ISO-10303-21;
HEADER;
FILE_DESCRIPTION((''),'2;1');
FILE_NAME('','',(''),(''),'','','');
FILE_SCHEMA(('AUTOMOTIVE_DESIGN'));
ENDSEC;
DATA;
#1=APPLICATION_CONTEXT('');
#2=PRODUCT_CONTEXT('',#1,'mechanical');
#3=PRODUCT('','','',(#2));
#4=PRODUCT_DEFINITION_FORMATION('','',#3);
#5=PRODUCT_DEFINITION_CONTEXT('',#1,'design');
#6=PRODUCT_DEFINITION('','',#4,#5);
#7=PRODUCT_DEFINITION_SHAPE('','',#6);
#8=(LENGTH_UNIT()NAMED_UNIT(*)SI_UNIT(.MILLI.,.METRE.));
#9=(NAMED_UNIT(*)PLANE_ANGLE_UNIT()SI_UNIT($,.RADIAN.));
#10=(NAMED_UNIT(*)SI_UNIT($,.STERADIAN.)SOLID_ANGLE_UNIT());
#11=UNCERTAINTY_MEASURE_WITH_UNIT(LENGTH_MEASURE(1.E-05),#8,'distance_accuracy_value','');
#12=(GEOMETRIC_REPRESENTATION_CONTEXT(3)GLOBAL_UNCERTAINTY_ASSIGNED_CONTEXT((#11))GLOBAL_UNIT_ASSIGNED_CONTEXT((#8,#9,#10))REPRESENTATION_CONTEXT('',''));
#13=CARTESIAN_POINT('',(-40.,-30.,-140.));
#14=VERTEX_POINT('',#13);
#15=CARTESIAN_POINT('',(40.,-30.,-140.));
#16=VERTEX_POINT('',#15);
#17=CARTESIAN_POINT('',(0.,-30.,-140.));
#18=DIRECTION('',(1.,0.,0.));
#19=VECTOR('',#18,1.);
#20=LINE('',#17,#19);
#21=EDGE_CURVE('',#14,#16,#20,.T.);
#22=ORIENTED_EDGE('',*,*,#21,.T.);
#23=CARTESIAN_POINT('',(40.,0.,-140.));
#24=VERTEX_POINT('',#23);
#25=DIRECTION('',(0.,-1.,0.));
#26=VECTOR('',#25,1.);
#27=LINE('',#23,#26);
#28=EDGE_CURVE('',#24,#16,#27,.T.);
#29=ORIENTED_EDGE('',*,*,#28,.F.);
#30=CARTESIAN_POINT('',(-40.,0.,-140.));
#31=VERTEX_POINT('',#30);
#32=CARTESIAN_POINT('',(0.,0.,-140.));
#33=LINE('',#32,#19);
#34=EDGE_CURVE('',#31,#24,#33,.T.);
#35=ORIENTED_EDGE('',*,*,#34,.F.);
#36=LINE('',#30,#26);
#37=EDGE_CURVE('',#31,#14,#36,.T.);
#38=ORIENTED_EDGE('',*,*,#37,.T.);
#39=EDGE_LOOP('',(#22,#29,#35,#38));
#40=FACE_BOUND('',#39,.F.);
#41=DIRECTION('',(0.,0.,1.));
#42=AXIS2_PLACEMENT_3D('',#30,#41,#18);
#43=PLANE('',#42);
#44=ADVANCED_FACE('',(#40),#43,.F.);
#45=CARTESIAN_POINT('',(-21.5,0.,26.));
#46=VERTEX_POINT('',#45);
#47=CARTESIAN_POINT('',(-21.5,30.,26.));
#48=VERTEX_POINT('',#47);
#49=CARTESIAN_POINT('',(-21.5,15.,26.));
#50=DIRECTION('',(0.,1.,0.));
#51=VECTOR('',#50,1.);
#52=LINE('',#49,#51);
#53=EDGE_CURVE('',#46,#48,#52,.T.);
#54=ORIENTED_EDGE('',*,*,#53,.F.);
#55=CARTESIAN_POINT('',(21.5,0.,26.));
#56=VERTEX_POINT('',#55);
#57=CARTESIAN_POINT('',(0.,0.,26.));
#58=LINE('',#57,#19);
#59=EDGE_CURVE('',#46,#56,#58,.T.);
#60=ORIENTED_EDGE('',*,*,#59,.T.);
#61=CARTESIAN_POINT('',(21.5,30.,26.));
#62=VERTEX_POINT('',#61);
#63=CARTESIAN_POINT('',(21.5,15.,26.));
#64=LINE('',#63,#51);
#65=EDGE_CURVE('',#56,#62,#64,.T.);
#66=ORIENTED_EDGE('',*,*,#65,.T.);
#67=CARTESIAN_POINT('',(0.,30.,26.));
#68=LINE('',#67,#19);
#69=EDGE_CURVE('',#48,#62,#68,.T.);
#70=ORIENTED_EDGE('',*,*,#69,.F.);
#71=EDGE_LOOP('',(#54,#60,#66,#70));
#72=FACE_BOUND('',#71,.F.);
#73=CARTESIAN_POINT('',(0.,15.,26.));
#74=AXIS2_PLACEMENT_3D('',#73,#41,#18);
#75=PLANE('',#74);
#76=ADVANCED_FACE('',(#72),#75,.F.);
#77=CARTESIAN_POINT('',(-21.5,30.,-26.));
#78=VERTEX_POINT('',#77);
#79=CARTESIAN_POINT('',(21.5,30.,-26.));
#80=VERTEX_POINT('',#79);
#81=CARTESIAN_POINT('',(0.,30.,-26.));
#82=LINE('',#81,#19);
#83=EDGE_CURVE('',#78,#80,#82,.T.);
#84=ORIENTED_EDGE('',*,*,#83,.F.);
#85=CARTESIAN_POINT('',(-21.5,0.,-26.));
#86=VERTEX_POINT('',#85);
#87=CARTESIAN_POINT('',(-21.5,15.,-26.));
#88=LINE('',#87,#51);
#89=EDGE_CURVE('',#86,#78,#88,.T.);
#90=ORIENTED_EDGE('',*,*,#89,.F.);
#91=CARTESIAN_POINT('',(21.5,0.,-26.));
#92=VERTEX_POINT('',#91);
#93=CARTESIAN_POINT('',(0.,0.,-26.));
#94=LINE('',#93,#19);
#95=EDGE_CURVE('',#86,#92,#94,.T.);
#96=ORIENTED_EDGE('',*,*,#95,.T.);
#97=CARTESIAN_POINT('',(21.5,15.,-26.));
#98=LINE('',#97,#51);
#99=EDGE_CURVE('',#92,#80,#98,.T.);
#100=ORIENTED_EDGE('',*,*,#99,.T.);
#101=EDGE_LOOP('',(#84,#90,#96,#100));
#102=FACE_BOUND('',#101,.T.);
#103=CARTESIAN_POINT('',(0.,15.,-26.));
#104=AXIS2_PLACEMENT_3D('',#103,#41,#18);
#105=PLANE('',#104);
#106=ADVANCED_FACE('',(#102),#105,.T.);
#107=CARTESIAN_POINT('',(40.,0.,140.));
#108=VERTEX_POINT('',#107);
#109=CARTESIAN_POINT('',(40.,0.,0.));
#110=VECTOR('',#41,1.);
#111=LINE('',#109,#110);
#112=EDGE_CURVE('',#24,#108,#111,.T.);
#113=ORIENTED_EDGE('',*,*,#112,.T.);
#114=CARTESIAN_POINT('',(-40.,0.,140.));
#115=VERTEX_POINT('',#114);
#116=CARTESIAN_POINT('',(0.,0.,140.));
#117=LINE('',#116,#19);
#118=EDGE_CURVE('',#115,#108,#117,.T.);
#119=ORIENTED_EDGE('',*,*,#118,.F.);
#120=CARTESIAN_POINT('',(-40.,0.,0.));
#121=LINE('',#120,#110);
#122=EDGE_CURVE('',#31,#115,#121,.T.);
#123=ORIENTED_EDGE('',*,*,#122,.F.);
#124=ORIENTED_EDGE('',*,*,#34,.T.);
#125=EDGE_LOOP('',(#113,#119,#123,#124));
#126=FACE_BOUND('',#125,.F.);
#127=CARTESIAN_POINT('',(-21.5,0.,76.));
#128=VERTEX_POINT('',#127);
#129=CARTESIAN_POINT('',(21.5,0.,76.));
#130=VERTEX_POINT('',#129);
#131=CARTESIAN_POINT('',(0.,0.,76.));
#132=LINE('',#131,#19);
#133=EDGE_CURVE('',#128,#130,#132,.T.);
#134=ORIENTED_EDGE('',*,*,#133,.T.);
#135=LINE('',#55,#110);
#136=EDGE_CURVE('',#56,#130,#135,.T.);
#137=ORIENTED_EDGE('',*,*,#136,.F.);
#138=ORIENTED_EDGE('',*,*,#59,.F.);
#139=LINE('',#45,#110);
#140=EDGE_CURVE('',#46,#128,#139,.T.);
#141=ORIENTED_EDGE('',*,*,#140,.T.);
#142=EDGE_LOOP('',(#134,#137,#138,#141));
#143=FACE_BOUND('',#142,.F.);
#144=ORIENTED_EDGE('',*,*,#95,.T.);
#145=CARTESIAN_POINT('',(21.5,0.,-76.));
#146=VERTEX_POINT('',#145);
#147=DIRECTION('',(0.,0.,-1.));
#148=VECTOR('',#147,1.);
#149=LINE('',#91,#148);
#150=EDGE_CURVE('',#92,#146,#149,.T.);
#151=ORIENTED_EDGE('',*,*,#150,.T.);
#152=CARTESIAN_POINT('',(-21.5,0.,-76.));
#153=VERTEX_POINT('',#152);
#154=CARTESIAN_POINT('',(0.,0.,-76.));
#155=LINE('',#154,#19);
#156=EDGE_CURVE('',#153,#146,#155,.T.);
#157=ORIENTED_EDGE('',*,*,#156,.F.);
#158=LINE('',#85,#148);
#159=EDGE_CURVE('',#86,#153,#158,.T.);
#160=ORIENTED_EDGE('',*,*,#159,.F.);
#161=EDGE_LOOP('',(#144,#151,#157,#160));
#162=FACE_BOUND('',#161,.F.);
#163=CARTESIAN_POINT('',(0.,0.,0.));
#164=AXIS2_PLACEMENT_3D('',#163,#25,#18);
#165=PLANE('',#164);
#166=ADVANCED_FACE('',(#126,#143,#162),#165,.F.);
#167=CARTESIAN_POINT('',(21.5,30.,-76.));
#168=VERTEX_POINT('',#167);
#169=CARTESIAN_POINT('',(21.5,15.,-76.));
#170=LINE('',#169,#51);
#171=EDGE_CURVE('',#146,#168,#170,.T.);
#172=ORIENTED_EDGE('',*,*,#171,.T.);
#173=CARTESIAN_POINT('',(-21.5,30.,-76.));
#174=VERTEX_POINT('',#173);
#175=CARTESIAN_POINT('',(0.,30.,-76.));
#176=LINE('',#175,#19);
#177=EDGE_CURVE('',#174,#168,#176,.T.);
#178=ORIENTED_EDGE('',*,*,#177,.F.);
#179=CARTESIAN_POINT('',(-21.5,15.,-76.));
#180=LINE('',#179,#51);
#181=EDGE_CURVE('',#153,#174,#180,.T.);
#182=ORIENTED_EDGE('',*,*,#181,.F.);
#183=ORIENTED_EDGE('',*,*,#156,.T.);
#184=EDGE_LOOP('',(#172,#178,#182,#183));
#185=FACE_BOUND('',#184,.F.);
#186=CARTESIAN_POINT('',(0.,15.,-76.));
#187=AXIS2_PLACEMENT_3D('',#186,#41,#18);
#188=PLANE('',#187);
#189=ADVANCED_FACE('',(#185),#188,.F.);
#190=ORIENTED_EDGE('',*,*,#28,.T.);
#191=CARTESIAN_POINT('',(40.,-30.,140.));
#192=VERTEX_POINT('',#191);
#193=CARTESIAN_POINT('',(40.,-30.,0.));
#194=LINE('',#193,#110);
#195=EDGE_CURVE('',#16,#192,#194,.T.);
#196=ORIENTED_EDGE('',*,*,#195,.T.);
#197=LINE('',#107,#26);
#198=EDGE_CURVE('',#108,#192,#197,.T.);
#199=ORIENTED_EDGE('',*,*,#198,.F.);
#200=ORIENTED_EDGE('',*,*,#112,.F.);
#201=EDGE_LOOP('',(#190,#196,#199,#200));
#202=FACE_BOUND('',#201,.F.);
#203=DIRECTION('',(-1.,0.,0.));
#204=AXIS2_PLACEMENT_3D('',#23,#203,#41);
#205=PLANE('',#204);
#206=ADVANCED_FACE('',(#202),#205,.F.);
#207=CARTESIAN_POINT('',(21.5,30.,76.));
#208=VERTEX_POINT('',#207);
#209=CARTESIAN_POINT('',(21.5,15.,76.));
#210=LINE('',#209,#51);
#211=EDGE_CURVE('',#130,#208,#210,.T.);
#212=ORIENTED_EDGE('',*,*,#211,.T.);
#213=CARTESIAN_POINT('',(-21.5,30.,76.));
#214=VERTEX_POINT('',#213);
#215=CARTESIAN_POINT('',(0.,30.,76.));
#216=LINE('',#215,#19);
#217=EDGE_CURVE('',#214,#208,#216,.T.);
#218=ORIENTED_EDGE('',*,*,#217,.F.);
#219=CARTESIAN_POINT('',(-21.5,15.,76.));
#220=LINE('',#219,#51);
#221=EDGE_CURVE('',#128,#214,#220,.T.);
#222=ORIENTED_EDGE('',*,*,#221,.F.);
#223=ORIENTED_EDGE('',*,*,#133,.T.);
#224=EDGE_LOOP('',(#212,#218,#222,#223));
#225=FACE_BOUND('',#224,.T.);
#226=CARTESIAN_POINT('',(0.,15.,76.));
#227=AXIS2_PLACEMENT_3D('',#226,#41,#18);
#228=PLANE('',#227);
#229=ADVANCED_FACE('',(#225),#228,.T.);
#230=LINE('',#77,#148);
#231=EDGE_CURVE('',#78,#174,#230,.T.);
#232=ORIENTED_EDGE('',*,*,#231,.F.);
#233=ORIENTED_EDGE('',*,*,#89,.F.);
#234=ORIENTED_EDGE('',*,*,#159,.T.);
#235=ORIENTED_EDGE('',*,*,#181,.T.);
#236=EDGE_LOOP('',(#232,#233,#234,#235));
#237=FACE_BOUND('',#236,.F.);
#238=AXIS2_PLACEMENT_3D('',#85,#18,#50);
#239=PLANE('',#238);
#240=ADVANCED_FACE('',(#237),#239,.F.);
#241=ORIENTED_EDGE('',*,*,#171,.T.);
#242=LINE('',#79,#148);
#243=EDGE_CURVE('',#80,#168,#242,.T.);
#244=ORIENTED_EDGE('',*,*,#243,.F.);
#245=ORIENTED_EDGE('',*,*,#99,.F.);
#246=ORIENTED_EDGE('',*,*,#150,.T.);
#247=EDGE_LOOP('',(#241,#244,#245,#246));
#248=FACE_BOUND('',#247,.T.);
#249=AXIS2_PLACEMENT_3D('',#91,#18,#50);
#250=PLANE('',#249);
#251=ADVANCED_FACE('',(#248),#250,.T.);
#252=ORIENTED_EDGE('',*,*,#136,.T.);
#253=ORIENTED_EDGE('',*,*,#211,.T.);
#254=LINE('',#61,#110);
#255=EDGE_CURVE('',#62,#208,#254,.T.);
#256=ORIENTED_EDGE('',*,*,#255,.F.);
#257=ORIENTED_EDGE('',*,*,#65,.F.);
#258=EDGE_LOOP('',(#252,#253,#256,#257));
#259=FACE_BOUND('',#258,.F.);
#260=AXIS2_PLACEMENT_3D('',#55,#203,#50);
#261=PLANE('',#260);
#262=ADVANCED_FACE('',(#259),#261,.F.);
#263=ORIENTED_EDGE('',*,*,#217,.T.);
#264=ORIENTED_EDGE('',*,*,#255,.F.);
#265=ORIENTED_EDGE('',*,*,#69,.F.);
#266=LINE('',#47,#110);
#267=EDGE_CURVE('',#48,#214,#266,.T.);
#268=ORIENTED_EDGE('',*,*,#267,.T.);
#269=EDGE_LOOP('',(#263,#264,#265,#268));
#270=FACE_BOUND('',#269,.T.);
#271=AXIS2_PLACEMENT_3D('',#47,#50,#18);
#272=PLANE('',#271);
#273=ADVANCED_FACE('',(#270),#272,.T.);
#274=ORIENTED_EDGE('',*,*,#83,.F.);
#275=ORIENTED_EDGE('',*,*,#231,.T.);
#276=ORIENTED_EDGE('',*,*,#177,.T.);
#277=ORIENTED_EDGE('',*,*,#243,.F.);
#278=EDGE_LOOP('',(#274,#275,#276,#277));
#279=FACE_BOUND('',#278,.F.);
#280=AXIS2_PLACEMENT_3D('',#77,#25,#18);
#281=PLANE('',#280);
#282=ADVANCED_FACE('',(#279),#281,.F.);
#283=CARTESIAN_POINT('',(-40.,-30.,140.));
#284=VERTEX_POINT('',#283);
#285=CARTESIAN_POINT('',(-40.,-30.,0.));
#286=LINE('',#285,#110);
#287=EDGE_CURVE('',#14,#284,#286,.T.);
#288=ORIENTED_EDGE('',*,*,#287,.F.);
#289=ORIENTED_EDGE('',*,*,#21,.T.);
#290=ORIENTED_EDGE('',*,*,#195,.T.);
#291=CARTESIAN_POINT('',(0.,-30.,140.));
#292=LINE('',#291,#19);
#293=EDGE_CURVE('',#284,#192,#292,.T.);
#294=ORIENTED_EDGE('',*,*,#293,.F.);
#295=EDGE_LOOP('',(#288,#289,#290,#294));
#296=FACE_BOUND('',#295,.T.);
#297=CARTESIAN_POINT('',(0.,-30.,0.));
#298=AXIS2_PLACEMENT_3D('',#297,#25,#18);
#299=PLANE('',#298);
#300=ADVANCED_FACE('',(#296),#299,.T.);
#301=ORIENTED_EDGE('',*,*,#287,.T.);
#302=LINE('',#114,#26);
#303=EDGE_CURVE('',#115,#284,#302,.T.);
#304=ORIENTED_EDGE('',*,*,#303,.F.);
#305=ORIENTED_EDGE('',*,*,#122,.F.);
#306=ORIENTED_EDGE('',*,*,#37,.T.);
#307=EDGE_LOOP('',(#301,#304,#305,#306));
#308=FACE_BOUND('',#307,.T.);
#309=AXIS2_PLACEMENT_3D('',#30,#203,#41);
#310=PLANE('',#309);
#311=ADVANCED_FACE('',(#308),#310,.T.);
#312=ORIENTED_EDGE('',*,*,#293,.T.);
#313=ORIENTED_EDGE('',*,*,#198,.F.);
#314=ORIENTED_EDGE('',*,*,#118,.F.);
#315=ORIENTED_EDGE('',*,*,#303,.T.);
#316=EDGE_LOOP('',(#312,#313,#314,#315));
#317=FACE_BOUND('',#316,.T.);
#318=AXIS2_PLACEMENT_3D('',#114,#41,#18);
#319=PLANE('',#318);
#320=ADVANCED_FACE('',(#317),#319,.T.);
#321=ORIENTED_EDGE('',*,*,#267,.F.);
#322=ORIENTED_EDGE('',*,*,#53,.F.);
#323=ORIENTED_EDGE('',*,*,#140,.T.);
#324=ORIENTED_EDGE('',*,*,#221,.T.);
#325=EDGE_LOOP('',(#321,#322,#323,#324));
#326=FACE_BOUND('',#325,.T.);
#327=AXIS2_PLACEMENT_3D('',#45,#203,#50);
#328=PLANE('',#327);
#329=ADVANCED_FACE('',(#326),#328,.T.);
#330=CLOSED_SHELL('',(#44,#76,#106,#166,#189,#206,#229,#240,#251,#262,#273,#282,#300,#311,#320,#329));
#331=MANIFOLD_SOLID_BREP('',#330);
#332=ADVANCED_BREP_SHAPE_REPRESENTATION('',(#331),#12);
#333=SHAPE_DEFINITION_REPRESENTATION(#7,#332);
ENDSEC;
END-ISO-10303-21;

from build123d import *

# Parameters (mm, degrees)
F0_W     = 80
F0_H     = 280
F1_DEPTH = 30
F3_START = 26
F2_W     = 43
F2_H     = 30
F3_DEPTH = 50
F4_START = -26
F4_DEPTH = 50


with BuildPart() as f1:
    # F0 (on Front) → F1 (new body)
    with BuildSketch(Plane.XZ):
        Rectangle(F0_W, F0_H)
    extrude(amount=F1_DEPTH)

    # F2 (on Top) → F3 (join)
    with BuildSketch(Plane.XY.offset(F3_START)):
        with Locations((0, 15)):
            Rectangle(F2_W, F2_H)
    extrude(amount=F3_DEPTH)

    # F2 (on Top) → F4 (join)
    with BuildSketch(Plane.XY.offset(F4_START)):
        with Locations((0, 15)):
            Rectangle(F2_W, F2_H)
    extrude(amount=-F4_DEPTH)


solid = f1.part
